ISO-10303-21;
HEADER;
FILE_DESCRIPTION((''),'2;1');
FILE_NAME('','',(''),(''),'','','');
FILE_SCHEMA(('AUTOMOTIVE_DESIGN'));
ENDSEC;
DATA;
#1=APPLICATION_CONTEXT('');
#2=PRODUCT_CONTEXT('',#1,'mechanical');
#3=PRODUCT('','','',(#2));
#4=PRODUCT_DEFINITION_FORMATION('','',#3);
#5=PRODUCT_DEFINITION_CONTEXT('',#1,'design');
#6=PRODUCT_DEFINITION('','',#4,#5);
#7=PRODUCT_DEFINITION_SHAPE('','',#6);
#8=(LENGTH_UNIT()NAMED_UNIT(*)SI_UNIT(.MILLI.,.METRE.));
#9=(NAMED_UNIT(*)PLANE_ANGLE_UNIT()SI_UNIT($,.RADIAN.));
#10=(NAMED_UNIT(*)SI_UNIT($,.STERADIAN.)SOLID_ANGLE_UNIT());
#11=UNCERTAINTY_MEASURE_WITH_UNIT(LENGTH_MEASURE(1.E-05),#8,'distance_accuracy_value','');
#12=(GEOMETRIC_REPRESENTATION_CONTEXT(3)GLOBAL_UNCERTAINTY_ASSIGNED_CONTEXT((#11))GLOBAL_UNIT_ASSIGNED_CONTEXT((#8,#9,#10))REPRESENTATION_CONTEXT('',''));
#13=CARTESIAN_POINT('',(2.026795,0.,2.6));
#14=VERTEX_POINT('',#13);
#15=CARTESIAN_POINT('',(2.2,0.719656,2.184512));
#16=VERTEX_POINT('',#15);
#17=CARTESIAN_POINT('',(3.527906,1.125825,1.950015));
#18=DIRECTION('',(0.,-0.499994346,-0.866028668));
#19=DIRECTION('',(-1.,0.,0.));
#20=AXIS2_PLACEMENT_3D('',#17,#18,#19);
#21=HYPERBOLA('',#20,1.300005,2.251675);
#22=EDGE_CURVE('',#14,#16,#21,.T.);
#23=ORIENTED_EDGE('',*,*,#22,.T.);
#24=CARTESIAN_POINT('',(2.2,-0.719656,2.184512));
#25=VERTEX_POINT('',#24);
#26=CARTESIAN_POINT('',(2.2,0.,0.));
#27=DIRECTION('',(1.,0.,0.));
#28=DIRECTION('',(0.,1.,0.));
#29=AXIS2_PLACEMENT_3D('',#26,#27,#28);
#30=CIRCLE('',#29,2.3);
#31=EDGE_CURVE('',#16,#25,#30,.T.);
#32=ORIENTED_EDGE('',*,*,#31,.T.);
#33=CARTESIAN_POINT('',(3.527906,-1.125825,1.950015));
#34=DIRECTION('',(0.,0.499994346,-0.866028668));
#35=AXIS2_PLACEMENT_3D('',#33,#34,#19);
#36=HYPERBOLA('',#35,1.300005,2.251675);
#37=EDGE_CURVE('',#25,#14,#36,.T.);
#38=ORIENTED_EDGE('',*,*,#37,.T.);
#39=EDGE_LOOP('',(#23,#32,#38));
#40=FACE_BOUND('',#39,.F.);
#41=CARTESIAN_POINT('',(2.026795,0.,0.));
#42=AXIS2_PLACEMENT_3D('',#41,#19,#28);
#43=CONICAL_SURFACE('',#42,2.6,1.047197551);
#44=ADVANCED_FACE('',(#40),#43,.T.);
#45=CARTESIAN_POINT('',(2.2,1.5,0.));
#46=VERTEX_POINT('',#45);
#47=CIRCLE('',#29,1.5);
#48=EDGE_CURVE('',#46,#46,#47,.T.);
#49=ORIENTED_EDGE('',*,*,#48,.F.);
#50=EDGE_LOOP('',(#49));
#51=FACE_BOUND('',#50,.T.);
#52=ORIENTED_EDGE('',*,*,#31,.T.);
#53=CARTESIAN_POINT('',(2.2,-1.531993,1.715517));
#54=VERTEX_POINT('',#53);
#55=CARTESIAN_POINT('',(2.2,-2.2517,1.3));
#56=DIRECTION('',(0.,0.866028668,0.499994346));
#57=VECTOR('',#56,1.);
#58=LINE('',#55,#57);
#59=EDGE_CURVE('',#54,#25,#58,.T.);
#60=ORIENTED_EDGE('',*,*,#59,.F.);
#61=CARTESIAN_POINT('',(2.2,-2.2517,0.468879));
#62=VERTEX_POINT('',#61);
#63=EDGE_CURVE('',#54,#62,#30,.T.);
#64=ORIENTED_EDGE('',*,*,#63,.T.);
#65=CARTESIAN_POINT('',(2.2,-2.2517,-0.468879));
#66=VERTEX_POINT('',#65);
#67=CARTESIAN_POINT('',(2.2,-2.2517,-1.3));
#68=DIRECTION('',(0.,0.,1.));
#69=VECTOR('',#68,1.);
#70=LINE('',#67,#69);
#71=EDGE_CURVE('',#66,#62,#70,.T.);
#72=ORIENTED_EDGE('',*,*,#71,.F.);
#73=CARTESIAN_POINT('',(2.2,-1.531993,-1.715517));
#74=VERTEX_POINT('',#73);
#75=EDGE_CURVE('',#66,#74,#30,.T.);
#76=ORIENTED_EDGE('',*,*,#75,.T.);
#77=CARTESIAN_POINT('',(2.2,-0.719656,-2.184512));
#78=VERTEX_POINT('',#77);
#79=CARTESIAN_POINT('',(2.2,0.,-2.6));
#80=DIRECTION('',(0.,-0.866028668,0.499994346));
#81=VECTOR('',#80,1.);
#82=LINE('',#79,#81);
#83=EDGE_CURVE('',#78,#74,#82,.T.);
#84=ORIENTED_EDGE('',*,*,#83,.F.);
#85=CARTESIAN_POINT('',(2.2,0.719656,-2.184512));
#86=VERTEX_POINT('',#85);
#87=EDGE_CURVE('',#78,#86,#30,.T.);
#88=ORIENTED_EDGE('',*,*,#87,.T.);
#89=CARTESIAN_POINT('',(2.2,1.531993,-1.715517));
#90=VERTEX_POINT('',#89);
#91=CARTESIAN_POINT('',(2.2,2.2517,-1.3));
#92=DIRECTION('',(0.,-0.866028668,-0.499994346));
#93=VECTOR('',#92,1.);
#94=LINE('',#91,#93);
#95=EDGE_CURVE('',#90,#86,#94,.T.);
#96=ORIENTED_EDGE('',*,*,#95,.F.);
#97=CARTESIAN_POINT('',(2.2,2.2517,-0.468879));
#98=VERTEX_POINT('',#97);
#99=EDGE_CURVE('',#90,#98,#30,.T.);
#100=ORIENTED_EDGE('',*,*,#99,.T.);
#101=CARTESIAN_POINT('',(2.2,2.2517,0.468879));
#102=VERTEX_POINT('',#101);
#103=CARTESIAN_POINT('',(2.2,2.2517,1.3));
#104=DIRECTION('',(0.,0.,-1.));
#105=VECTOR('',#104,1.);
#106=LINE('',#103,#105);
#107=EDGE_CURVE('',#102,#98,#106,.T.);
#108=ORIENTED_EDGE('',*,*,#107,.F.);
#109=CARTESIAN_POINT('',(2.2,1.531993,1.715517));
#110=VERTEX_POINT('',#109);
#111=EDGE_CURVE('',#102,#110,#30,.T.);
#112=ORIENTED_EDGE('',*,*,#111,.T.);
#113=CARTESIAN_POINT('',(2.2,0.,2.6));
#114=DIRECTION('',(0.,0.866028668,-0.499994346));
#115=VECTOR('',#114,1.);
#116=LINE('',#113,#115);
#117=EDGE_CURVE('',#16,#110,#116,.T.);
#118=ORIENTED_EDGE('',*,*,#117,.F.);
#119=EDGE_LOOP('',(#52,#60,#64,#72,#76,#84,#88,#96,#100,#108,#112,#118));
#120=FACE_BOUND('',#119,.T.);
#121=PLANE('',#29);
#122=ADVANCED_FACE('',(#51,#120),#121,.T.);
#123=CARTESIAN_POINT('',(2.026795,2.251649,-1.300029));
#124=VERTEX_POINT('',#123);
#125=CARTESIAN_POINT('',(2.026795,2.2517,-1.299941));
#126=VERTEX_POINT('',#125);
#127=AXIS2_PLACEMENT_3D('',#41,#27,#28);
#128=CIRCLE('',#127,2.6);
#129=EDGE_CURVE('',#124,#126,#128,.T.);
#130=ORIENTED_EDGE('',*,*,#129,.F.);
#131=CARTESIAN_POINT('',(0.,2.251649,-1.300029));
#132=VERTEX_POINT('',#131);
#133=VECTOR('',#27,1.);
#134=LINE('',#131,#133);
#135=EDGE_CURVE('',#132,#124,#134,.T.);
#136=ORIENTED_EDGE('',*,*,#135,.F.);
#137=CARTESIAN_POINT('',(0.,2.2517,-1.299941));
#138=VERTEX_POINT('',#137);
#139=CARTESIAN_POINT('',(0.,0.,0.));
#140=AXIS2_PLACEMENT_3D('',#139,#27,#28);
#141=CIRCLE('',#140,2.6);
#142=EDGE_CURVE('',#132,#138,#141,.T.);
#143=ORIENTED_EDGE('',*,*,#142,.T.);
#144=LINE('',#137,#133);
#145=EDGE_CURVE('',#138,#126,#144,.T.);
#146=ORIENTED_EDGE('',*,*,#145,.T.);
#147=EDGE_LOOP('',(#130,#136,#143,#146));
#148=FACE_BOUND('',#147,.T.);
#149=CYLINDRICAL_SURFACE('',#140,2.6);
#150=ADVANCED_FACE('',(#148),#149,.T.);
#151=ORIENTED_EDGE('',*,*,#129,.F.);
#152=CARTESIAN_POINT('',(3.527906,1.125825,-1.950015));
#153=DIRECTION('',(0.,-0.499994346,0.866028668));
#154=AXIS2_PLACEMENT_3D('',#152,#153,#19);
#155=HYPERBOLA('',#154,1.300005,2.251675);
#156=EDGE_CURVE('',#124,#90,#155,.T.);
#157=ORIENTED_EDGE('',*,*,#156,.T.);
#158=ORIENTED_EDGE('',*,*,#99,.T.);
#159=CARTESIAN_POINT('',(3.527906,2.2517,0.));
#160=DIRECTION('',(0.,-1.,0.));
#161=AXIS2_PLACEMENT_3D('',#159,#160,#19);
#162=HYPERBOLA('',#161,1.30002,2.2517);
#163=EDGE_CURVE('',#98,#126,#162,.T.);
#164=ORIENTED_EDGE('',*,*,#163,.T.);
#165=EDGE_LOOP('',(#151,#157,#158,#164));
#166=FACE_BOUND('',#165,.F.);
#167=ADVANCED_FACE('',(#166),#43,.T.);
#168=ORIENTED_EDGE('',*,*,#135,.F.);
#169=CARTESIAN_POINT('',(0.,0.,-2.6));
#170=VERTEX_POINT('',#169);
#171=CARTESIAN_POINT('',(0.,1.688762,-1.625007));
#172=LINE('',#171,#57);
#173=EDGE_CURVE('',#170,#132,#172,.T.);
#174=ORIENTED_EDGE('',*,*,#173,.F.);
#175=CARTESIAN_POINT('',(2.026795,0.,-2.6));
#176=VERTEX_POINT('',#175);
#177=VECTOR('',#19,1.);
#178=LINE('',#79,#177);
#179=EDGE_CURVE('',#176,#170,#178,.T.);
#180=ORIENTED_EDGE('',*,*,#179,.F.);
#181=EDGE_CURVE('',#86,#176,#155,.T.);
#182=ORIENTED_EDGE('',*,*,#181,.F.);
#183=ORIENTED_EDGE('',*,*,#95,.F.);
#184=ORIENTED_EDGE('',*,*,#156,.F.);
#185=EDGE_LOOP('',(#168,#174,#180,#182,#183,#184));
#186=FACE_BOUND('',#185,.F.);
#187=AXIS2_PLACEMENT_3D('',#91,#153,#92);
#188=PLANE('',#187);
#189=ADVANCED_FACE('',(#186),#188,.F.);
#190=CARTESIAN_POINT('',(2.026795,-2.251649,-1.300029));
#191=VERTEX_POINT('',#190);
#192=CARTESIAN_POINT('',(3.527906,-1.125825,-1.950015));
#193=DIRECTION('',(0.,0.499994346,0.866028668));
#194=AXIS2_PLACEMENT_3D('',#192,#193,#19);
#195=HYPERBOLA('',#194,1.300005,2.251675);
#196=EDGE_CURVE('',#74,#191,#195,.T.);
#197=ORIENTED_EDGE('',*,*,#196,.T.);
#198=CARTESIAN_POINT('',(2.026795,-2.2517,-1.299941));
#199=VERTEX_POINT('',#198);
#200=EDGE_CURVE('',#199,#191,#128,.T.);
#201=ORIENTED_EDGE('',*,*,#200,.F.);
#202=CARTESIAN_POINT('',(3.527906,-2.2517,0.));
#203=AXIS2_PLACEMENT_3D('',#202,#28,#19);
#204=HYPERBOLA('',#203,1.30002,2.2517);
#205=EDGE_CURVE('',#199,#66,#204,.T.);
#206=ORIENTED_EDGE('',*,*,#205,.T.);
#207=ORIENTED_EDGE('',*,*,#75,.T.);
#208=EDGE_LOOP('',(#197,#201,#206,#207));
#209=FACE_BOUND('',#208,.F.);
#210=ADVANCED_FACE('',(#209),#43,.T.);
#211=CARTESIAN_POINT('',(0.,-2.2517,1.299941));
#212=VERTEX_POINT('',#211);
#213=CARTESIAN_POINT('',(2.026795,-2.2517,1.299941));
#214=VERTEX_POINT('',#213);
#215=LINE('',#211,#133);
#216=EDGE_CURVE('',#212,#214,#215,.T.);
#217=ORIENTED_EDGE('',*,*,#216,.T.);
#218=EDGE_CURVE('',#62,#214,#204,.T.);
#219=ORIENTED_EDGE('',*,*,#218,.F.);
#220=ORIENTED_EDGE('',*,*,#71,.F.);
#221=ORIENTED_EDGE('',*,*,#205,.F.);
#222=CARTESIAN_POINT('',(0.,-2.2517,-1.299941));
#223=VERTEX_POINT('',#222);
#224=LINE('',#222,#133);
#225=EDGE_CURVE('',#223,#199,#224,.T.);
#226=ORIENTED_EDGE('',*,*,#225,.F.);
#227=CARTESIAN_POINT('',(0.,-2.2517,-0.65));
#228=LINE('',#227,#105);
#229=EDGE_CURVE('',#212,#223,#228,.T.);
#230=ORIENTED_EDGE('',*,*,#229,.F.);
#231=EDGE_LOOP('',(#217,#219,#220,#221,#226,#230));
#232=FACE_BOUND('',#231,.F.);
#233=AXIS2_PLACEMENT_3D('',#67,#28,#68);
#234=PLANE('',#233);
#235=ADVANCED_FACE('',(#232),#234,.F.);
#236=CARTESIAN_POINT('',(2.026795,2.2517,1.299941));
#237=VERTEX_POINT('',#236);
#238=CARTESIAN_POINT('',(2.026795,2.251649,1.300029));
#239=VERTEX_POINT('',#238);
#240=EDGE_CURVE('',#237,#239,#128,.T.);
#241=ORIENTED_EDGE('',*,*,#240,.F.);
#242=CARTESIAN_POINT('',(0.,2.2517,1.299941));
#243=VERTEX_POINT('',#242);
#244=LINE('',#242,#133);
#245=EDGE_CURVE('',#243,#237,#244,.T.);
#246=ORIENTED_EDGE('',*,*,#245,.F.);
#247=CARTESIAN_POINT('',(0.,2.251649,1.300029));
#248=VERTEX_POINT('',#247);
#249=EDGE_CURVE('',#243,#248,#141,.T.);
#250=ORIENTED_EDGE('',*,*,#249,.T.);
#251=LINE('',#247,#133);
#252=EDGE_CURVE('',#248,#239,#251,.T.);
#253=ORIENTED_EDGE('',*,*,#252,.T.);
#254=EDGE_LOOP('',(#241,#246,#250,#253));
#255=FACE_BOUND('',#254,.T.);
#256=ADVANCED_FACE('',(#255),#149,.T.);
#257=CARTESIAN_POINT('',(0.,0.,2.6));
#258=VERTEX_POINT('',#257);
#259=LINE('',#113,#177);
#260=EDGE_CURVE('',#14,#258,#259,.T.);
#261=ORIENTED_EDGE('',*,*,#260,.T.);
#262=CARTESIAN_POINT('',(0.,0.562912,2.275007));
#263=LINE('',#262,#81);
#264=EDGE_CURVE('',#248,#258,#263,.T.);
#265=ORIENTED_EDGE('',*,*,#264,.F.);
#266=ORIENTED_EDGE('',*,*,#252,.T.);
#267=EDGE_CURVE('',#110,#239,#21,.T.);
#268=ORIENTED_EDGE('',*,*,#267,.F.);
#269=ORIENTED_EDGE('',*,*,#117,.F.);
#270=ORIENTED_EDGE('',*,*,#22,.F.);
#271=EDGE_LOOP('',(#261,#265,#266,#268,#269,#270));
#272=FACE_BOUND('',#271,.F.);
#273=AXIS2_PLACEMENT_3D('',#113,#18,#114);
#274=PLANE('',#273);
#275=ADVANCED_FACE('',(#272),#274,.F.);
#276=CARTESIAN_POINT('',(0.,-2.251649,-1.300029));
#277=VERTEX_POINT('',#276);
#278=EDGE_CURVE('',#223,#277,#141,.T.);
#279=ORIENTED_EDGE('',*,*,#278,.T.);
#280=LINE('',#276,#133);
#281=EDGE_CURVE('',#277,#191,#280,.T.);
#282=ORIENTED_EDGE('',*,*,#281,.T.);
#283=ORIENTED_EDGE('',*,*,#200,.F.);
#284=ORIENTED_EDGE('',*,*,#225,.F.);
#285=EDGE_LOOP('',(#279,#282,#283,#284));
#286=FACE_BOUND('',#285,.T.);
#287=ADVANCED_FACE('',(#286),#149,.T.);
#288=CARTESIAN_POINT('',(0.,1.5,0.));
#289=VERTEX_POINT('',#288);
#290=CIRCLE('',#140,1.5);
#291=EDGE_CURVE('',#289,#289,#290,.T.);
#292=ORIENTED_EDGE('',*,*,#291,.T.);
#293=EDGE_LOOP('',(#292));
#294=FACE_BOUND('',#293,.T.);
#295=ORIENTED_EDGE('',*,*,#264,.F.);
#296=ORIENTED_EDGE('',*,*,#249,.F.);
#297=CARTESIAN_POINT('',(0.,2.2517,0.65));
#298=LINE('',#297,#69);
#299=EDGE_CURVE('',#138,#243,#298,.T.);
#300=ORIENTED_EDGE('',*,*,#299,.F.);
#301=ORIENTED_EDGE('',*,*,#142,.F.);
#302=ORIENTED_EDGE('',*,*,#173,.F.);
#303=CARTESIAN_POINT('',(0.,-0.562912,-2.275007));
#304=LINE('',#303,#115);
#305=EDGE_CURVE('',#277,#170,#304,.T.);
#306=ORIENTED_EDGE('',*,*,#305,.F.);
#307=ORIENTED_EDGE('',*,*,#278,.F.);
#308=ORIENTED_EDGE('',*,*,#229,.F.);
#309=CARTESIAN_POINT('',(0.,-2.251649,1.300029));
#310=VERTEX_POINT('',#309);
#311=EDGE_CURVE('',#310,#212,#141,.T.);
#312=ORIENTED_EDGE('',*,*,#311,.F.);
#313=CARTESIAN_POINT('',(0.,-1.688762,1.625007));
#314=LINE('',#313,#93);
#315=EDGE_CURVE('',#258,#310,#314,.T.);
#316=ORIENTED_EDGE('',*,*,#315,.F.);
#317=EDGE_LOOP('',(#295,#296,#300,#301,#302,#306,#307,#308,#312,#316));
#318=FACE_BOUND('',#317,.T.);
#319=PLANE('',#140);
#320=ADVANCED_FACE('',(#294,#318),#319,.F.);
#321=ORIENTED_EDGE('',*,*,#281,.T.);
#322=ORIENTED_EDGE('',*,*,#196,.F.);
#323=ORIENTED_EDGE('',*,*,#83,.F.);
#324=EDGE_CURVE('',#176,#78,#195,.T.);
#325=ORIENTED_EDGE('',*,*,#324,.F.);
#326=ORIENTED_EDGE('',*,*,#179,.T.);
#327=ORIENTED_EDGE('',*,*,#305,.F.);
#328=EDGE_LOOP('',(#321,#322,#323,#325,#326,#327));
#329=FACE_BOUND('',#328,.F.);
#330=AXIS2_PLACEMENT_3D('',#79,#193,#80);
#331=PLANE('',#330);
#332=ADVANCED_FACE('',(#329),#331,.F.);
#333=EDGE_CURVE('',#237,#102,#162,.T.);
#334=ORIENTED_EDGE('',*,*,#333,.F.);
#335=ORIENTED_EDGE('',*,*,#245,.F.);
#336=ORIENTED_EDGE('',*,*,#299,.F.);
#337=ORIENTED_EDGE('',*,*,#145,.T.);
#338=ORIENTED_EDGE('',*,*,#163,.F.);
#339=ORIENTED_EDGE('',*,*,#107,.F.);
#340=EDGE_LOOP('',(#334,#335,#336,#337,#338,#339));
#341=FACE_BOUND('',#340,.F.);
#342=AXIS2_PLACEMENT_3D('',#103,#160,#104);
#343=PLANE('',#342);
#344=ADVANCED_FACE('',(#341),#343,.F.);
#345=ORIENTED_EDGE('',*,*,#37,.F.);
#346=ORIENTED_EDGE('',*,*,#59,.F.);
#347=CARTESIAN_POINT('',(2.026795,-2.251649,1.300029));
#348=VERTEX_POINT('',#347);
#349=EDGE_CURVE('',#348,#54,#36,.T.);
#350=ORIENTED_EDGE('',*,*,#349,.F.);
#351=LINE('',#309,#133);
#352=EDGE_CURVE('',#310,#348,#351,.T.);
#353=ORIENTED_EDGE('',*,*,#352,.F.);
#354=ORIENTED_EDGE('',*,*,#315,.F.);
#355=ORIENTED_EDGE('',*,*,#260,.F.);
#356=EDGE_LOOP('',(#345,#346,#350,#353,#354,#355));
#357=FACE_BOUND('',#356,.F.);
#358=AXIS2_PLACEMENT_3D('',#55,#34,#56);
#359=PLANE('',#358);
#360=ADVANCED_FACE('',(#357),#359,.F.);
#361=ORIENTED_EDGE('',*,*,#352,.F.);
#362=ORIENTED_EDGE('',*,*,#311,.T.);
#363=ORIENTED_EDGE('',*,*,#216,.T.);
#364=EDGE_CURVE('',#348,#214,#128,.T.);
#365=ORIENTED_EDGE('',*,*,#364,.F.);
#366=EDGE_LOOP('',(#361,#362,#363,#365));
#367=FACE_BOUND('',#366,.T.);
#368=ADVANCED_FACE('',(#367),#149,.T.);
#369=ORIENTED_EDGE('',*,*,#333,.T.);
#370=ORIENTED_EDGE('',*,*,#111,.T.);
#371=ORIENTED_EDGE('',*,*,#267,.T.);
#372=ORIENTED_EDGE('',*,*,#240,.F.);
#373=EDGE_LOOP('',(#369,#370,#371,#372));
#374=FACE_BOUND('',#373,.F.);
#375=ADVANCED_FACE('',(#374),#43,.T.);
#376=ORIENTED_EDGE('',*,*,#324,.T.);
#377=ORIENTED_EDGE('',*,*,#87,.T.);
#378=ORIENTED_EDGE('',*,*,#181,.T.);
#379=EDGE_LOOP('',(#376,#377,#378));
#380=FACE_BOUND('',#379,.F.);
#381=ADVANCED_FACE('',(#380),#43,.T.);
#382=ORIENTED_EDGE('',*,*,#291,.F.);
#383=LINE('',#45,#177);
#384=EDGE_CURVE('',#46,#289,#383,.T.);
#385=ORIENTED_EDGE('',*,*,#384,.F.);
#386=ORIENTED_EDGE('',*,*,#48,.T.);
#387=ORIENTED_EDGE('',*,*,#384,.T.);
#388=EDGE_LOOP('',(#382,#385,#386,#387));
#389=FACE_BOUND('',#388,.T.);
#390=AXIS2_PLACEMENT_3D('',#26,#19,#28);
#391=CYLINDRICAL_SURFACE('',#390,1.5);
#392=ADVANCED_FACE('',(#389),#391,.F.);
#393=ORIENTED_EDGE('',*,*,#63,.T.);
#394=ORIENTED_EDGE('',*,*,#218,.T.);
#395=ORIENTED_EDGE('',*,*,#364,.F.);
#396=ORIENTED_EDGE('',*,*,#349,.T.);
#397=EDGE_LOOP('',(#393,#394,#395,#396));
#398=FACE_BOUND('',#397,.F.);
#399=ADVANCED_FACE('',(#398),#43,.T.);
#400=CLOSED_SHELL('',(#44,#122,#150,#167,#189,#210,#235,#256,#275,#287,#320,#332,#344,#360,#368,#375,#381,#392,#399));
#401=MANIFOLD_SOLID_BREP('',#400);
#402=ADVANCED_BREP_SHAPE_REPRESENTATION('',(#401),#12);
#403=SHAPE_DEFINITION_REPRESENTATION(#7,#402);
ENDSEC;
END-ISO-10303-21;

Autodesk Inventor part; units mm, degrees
ref_plane "YZ Plane" through (0, 0, 0) normal (1, 0, 0) x (0, 1, 0)
ref_plane "XZ Plane" through (0, 0, 0) normal (0, 1, 0) x (-1, 0, 0)
ref_plane "XY Plane" through (0, 0, 0) normal (0, 0, 1) x (1, 0, 0)
sketch "Sketch17" plane through (0, 0, 0) normal (0, 0, 1) x (1, 0, 0)
  line L0 (0, 0) -> (0, 2.6) construction
  line L1 (0, 2.6) -> (2.2, 2.6)
  line L2 (2.2, 2.6) -> (2.2, 1.5)
  line L3 (2.2, 1.5) -> (0, 1.5)
  line L4 (0, 0) -> (5.189, 0) construction
  line L5 (0, 1.5) -> (0, 2.6)
  dimension "d96" = 1.5
  dimension "d98" = 2.6
  dimension "d99" = 0
  dimension "d100" = 2.2
revolve "Revolution3" add sketch "Sketch17" angle 360 about axis through (0, 0, 0) along (1, 0, 0)
chamfer "Chamfer2" distance 0.3 angle 30 1 edges at (2.2, -2.6, 0) measured on face at (2.2, 2.2081, -0.2074)
sketch "Sketch18" plane through (2.2, 0, 0) normal (1, 0, 0) x (0, 0, -1)
  circle A0 centre (0, 0) radius 2.3 construction
  line L0 (1.3, 2.2517) -> (2.6, 0)
  line L1 (2.6, 0) -> (1.3, -2.2517)
  line L2 (1.3, -2.2517) -> (-1.3, -2.2517)
  line L3 (-1.3, -2.2517) -> (-2.6, 0)
  line L4 (-2.6, 0) -> (-1.3, 2.2517)
  line L5 (-1.3, 2.2517) -> (1.3, 2.2517)
  circle A1 centre (0, 0) radius 5.5787
  dimension "d106" = 2.6
extrude "Extrusion15" cut sketch "Sketch18" along normal through all both and the other way through all
thread "Thread2" size "M2x0.4" class "6H" standard "ANSI Metric M Profile" full length
properties part number "Nut3"
